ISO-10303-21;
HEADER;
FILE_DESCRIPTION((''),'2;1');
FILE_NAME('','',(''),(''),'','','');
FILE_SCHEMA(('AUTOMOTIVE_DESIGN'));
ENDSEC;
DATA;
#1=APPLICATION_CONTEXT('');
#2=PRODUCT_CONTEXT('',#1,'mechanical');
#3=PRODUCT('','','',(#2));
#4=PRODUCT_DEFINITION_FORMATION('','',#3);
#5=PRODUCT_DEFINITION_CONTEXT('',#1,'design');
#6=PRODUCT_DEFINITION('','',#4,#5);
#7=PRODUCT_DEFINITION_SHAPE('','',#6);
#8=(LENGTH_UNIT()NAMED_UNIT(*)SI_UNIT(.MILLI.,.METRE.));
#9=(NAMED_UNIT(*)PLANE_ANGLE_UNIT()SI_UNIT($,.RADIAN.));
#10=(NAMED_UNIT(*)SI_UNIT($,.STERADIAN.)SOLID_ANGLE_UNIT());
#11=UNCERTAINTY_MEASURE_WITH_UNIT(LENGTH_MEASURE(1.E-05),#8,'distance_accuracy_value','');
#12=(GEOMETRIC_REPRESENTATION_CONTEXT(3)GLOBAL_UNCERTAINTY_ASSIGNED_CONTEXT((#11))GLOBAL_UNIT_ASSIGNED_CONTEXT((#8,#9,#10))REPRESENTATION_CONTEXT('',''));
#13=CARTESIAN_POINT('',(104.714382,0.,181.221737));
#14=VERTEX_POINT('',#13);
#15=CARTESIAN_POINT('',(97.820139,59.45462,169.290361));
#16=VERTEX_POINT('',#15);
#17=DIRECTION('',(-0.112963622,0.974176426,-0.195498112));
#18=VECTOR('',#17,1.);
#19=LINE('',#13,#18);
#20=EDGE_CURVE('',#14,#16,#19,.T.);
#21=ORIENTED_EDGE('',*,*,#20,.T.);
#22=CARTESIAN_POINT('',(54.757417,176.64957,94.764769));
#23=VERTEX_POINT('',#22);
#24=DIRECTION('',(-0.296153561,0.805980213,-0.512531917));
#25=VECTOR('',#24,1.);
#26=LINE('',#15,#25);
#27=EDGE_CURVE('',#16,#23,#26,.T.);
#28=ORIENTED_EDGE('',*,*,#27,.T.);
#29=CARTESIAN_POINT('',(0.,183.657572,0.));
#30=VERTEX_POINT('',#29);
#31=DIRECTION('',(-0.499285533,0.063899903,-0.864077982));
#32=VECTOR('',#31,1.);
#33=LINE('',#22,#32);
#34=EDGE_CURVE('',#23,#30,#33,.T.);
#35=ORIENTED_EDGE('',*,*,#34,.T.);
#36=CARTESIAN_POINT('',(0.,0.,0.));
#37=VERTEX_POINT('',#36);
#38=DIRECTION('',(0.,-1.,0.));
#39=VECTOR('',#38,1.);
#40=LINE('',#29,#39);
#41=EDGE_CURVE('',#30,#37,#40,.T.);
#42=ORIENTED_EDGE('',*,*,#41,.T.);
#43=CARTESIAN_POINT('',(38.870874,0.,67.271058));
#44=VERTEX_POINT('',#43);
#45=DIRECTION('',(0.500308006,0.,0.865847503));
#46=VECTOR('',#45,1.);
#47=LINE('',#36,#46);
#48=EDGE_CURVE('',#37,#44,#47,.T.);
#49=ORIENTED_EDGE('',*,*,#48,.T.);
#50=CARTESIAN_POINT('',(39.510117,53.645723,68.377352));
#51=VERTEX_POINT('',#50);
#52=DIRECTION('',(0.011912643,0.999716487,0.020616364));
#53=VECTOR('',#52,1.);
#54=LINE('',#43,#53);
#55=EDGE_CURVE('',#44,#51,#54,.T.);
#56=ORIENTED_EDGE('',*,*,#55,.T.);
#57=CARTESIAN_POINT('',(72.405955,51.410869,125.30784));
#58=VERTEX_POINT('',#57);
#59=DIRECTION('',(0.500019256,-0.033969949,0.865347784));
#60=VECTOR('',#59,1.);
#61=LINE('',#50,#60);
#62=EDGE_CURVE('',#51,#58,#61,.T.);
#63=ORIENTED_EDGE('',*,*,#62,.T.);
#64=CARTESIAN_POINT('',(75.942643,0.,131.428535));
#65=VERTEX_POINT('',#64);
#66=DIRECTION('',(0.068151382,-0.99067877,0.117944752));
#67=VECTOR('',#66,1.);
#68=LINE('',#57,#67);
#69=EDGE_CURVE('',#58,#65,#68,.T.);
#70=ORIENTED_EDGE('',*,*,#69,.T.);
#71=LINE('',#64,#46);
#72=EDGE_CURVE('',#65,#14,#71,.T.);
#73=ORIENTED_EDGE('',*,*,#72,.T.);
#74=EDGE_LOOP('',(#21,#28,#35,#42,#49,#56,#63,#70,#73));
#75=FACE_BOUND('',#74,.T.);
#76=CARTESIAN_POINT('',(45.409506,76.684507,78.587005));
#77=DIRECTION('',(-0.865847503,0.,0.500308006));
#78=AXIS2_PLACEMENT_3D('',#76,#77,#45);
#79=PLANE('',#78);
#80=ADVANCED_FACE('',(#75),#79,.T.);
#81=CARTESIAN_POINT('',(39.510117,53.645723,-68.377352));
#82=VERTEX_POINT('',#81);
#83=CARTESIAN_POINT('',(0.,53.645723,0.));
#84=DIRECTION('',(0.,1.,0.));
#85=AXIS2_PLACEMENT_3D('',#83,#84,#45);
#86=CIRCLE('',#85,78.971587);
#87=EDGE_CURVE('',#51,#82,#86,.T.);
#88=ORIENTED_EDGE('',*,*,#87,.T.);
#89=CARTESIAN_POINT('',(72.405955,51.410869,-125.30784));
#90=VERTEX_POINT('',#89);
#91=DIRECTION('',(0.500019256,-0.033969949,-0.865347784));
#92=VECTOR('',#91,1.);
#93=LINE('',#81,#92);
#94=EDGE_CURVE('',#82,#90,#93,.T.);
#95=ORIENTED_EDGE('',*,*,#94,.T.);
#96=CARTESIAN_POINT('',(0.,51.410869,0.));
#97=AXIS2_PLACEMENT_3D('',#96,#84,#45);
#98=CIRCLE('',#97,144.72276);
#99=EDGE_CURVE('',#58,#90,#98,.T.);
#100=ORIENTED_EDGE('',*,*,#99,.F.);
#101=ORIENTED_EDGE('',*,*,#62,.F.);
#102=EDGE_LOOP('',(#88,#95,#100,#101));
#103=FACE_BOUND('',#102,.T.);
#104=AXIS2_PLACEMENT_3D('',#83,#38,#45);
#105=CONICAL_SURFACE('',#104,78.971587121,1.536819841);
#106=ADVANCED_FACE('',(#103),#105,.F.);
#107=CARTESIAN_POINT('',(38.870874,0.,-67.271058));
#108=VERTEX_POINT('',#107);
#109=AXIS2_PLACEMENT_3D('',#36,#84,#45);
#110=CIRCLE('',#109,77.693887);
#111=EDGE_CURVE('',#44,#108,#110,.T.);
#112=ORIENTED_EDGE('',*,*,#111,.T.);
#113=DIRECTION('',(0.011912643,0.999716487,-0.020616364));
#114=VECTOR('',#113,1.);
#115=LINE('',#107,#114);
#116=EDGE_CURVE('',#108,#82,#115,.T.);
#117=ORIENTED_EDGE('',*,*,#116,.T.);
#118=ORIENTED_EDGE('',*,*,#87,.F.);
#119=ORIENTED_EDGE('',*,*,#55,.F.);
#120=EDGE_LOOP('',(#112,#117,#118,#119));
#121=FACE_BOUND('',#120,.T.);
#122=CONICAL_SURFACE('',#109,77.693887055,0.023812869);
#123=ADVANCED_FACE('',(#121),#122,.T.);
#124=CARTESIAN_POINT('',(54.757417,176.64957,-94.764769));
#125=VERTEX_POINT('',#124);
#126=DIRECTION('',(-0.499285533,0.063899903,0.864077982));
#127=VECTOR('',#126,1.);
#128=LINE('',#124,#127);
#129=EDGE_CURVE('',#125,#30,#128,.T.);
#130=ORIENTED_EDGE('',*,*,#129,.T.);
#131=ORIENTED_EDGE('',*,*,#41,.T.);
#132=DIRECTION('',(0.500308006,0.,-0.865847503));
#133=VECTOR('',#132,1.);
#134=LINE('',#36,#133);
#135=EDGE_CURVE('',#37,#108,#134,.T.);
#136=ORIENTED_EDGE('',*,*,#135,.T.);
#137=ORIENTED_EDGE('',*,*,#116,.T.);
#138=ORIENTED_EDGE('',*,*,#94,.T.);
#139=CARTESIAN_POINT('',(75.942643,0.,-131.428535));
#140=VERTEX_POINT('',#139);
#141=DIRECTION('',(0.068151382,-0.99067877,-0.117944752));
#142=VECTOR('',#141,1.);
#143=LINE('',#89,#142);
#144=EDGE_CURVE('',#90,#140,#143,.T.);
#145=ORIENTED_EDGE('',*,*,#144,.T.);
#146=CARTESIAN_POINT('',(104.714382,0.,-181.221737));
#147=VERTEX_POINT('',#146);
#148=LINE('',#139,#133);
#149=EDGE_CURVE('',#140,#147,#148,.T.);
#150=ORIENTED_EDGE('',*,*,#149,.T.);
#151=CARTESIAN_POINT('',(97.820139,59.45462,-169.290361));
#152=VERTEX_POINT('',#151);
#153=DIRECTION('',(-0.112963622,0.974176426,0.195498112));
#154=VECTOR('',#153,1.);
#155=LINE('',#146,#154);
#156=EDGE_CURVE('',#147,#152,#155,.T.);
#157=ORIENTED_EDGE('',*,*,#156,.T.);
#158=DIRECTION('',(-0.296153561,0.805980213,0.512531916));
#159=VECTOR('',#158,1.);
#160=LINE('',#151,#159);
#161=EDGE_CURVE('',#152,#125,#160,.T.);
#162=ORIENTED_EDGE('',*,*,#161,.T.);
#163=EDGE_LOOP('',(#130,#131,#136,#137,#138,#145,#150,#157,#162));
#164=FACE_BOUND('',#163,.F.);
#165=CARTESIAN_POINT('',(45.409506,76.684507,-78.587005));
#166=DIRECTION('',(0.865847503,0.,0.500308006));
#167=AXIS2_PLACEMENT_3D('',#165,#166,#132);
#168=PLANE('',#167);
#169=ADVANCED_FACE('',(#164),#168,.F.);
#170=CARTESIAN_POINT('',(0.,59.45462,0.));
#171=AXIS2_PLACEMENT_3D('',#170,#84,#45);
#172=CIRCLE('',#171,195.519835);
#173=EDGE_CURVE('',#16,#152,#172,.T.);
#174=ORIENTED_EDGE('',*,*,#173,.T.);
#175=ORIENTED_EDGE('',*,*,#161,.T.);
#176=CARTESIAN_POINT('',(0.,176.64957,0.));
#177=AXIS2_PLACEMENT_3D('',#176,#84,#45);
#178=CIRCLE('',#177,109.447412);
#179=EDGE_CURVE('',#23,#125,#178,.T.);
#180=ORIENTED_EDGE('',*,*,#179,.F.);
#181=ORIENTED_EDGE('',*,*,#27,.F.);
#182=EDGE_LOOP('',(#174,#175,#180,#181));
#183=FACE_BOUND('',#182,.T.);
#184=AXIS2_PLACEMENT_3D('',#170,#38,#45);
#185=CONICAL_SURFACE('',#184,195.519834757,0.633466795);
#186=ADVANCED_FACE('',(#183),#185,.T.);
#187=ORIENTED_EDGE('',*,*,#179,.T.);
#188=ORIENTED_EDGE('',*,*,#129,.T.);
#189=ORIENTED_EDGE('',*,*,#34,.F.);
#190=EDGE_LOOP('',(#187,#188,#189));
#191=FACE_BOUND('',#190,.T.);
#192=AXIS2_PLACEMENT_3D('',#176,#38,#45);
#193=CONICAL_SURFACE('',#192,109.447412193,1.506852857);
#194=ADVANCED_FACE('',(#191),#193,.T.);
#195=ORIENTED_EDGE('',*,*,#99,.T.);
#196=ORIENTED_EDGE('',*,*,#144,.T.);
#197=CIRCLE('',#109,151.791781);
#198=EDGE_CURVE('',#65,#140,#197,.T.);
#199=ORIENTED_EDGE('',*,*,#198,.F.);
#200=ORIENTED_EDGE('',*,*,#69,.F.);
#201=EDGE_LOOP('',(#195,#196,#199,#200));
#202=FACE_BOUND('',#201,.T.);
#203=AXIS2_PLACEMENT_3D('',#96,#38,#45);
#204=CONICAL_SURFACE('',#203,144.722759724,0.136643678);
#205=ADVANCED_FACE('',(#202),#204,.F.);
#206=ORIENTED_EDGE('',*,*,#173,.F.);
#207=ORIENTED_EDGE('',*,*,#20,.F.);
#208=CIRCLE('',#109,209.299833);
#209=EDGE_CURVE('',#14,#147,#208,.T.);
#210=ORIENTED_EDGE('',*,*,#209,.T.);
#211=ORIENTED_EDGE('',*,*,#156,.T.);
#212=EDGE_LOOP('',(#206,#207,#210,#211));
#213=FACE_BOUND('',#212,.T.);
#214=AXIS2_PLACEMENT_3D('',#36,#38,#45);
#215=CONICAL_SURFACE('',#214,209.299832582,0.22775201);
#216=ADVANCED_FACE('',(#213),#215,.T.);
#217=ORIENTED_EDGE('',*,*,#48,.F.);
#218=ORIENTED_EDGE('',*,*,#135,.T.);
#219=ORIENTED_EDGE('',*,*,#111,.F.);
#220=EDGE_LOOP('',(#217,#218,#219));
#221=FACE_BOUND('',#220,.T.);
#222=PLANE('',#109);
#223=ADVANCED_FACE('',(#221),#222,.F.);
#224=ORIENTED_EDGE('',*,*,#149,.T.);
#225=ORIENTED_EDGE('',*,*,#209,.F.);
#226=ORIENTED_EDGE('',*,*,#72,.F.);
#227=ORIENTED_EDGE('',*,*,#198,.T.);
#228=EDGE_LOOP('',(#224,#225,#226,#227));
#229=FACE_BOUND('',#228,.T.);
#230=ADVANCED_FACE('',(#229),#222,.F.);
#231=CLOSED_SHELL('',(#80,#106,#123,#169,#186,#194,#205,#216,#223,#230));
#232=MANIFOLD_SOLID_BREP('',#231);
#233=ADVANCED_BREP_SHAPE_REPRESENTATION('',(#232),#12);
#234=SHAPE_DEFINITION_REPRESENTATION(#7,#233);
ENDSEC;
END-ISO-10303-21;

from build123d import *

# Parameters (mm, degrees)
F1_ANGLE_BACK = 59.9796203852
F1_ANGLE      = 119.9592407703


with BuildPart() as f1:
    # F0 (on Top) → F1 (revolve)
    with BuildSketch(Plane.XY, mode=Mode.PRIVATE) as f1_sk:
        Polygon((0, 183.6575716734), (0, 0), (77.6938870549, 0), (78.9715871215, 53.645722568), (144.7227597237, 51.4108687639), (151.7917811871, 0), (209.2998325825, 0), (195.5198347569, 59.4546198845), (109.4474121928, 176.6495704651), align=None)
    revolve(f1_sk.sketch.rotate(Axis((0, 91.8287858367, 0), (0, 1, 0)), -F1_ANGLE_BACK), axis=Axis((0, 91.8287858367, 0), (0, 1, 0)), revolution_arc=F1_ANGLE)


solid = f1.part
